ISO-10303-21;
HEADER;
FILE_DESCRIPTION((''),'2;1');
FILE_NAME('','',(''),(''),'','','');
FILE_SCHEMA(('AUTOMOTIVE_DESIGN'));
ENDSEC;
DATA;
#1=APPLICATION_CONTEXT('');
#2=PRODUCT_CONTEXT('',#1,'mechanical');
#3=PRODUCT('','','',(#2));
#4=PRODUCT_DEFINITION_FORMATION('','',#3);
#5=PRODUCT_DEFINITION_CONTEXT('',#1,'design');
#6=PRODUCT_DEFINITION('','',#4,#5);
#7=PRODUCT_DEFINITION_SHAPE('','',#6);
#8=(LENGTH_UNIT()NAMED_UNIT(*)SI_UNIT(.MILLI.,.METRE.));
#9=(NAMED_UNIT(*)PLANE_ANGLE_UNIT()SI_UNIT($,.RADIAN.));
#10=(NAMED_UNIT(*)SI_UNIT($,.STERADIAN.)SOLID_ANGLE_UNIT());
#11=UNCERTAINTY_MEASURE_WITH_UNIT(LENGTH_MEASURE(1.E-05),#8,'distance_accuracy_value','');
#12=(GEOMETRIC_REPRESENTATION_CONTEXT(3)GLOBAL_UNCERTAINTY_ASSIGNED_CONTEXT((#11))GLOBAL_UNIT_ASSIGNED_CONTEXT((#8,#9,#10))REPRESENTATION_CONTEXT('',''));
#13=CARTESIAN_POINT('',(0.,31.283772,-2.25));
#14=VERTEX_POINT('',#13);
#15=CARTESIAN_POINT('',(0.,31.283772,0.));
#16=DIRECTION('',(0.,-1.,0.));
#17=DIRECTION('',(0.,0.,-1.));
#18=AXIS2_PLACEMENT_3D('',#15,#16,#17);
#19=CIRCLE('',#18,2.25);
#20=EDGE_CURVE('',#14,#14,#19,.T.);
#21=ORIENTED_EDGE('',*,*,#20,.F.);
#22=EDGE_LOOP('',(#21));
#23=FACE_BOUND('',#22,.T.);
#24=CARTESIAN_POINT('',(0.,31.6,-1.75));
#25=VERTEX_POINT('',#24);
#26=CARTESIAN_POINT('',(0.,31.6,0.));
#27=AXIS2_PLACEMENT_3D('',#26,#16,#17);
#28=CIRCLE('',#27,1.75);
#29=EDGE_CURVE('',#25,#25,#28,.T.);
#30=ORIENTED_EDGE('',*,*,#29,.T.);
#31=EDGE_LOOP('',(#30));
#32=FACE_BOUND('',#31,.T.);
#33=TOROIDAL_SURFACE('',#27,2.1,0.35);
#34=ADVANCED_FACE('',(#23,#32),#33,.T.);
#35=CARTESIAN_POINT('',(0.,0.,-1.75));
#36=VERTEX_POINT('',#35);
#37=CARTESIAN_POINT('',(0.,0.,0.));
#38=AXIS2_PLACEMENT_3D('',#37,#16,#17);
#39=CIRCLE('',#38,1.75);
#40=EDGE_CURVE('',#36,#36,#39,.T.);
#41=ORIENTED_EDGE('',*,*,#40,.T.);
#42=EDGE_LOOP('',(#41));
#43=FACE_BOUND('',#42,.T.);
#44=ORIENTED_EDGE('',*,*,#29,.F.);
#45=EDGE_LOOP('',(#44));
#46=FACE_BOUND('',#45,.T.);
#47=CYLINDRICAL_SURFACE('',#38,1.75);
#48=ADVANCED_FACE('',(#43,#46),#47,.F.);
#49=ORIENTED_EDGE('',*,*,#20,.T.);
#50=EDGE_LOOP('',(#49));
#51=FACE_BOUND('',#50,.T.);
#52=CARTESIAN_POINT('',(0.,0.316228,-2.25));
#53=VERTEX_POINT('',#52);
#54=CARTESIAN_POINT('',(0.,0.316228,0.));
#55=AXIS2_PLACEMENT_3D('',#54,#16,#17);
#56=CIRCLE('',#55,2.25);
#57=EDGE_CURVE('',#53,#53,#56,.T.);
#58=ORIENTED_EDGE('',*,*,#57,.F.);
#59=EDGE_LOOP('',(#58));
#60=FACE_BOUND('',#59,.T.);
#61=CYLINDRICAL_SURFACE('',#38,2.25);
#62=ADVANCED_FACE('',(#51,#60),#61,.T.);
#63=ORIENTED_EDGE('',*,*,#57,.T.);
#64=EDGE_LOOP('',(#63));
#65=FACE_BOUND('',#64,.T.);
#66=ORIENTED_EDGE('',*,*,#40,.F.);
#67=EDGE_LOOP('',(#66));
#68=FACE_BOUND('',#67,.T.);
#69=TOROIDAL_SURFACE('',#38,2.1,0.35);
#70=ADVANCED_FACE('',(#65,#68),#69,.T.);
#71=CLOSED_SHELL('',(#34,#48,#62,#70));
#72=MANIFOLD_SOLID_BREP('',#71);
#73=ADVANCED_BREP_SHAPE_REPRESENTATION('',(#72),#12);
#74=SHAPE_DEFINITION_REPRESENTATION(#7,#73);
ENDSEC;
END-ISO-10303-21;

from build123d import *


with BuildPart() as part:
    # Sketch1 → Revolve2 (revolve)
    with BuildSketch(Plane.XY):
        with BuildLine():
            ThreePointArc((2.25, 0.316227766), (1.912917131, 0.295803989), (1.75, 0))
            Line((1.75, 0), (2.25, 0))
            Line((2.25, 0), (2.25, 0.316227766))
        make_face()
        with BuildLine():
            Line((2.25, 0), (1.75, 0))
            ThreePointArc((1.75, 0), (2.1, -0.35), (2.45, 0))
            ThreePointArc((2.45, 0), (2.395803989, 0.187082869), (2.25, 0.316227766))
            Line((2.25, 0.316227766), (2.25, 0))
        make_face()
        with BuildLine():
            Line((1.75, 31.6), (1.75, 0))
            ThreePointArc((1.75, 0), (1.912917131, 0.295803989), (2.25, 0.316227766))
            Line((2.25, 0.316227766), (2.25, 31.283772234))
            ThreePointArc((2.25, 31.283772234), (1.912917131, 31.304196011), (1.75, 31.6))
        make_face()
        with BuildLine():
            ThreePointArc((2.45, 31.6), (2.1, 31.95), (1.75, 31.6))
            Line((1.75, 31.6), (2.25, 31.6))
            Line((2.25, 31.6), (2.25, 31.283772234))
            ThreePointArc((2.25, 31.283772234), (2.395803989, 31.412917131), (2.45, 31.6))
        make_face()
        with BuildLine():
            Line((2.25, 31.6), (1.75, 31.6))
            ThreePointArc((1.75, 31.6), (1.912917131, 31.304196011), (2.25, 31.283772234))
            Line((2.25, 31.283772234), (2.25, 31.6))
        make_face()
    revolve(axis=Axis((0, 0, 0), (0, 1, 0)))


solid = part.part
